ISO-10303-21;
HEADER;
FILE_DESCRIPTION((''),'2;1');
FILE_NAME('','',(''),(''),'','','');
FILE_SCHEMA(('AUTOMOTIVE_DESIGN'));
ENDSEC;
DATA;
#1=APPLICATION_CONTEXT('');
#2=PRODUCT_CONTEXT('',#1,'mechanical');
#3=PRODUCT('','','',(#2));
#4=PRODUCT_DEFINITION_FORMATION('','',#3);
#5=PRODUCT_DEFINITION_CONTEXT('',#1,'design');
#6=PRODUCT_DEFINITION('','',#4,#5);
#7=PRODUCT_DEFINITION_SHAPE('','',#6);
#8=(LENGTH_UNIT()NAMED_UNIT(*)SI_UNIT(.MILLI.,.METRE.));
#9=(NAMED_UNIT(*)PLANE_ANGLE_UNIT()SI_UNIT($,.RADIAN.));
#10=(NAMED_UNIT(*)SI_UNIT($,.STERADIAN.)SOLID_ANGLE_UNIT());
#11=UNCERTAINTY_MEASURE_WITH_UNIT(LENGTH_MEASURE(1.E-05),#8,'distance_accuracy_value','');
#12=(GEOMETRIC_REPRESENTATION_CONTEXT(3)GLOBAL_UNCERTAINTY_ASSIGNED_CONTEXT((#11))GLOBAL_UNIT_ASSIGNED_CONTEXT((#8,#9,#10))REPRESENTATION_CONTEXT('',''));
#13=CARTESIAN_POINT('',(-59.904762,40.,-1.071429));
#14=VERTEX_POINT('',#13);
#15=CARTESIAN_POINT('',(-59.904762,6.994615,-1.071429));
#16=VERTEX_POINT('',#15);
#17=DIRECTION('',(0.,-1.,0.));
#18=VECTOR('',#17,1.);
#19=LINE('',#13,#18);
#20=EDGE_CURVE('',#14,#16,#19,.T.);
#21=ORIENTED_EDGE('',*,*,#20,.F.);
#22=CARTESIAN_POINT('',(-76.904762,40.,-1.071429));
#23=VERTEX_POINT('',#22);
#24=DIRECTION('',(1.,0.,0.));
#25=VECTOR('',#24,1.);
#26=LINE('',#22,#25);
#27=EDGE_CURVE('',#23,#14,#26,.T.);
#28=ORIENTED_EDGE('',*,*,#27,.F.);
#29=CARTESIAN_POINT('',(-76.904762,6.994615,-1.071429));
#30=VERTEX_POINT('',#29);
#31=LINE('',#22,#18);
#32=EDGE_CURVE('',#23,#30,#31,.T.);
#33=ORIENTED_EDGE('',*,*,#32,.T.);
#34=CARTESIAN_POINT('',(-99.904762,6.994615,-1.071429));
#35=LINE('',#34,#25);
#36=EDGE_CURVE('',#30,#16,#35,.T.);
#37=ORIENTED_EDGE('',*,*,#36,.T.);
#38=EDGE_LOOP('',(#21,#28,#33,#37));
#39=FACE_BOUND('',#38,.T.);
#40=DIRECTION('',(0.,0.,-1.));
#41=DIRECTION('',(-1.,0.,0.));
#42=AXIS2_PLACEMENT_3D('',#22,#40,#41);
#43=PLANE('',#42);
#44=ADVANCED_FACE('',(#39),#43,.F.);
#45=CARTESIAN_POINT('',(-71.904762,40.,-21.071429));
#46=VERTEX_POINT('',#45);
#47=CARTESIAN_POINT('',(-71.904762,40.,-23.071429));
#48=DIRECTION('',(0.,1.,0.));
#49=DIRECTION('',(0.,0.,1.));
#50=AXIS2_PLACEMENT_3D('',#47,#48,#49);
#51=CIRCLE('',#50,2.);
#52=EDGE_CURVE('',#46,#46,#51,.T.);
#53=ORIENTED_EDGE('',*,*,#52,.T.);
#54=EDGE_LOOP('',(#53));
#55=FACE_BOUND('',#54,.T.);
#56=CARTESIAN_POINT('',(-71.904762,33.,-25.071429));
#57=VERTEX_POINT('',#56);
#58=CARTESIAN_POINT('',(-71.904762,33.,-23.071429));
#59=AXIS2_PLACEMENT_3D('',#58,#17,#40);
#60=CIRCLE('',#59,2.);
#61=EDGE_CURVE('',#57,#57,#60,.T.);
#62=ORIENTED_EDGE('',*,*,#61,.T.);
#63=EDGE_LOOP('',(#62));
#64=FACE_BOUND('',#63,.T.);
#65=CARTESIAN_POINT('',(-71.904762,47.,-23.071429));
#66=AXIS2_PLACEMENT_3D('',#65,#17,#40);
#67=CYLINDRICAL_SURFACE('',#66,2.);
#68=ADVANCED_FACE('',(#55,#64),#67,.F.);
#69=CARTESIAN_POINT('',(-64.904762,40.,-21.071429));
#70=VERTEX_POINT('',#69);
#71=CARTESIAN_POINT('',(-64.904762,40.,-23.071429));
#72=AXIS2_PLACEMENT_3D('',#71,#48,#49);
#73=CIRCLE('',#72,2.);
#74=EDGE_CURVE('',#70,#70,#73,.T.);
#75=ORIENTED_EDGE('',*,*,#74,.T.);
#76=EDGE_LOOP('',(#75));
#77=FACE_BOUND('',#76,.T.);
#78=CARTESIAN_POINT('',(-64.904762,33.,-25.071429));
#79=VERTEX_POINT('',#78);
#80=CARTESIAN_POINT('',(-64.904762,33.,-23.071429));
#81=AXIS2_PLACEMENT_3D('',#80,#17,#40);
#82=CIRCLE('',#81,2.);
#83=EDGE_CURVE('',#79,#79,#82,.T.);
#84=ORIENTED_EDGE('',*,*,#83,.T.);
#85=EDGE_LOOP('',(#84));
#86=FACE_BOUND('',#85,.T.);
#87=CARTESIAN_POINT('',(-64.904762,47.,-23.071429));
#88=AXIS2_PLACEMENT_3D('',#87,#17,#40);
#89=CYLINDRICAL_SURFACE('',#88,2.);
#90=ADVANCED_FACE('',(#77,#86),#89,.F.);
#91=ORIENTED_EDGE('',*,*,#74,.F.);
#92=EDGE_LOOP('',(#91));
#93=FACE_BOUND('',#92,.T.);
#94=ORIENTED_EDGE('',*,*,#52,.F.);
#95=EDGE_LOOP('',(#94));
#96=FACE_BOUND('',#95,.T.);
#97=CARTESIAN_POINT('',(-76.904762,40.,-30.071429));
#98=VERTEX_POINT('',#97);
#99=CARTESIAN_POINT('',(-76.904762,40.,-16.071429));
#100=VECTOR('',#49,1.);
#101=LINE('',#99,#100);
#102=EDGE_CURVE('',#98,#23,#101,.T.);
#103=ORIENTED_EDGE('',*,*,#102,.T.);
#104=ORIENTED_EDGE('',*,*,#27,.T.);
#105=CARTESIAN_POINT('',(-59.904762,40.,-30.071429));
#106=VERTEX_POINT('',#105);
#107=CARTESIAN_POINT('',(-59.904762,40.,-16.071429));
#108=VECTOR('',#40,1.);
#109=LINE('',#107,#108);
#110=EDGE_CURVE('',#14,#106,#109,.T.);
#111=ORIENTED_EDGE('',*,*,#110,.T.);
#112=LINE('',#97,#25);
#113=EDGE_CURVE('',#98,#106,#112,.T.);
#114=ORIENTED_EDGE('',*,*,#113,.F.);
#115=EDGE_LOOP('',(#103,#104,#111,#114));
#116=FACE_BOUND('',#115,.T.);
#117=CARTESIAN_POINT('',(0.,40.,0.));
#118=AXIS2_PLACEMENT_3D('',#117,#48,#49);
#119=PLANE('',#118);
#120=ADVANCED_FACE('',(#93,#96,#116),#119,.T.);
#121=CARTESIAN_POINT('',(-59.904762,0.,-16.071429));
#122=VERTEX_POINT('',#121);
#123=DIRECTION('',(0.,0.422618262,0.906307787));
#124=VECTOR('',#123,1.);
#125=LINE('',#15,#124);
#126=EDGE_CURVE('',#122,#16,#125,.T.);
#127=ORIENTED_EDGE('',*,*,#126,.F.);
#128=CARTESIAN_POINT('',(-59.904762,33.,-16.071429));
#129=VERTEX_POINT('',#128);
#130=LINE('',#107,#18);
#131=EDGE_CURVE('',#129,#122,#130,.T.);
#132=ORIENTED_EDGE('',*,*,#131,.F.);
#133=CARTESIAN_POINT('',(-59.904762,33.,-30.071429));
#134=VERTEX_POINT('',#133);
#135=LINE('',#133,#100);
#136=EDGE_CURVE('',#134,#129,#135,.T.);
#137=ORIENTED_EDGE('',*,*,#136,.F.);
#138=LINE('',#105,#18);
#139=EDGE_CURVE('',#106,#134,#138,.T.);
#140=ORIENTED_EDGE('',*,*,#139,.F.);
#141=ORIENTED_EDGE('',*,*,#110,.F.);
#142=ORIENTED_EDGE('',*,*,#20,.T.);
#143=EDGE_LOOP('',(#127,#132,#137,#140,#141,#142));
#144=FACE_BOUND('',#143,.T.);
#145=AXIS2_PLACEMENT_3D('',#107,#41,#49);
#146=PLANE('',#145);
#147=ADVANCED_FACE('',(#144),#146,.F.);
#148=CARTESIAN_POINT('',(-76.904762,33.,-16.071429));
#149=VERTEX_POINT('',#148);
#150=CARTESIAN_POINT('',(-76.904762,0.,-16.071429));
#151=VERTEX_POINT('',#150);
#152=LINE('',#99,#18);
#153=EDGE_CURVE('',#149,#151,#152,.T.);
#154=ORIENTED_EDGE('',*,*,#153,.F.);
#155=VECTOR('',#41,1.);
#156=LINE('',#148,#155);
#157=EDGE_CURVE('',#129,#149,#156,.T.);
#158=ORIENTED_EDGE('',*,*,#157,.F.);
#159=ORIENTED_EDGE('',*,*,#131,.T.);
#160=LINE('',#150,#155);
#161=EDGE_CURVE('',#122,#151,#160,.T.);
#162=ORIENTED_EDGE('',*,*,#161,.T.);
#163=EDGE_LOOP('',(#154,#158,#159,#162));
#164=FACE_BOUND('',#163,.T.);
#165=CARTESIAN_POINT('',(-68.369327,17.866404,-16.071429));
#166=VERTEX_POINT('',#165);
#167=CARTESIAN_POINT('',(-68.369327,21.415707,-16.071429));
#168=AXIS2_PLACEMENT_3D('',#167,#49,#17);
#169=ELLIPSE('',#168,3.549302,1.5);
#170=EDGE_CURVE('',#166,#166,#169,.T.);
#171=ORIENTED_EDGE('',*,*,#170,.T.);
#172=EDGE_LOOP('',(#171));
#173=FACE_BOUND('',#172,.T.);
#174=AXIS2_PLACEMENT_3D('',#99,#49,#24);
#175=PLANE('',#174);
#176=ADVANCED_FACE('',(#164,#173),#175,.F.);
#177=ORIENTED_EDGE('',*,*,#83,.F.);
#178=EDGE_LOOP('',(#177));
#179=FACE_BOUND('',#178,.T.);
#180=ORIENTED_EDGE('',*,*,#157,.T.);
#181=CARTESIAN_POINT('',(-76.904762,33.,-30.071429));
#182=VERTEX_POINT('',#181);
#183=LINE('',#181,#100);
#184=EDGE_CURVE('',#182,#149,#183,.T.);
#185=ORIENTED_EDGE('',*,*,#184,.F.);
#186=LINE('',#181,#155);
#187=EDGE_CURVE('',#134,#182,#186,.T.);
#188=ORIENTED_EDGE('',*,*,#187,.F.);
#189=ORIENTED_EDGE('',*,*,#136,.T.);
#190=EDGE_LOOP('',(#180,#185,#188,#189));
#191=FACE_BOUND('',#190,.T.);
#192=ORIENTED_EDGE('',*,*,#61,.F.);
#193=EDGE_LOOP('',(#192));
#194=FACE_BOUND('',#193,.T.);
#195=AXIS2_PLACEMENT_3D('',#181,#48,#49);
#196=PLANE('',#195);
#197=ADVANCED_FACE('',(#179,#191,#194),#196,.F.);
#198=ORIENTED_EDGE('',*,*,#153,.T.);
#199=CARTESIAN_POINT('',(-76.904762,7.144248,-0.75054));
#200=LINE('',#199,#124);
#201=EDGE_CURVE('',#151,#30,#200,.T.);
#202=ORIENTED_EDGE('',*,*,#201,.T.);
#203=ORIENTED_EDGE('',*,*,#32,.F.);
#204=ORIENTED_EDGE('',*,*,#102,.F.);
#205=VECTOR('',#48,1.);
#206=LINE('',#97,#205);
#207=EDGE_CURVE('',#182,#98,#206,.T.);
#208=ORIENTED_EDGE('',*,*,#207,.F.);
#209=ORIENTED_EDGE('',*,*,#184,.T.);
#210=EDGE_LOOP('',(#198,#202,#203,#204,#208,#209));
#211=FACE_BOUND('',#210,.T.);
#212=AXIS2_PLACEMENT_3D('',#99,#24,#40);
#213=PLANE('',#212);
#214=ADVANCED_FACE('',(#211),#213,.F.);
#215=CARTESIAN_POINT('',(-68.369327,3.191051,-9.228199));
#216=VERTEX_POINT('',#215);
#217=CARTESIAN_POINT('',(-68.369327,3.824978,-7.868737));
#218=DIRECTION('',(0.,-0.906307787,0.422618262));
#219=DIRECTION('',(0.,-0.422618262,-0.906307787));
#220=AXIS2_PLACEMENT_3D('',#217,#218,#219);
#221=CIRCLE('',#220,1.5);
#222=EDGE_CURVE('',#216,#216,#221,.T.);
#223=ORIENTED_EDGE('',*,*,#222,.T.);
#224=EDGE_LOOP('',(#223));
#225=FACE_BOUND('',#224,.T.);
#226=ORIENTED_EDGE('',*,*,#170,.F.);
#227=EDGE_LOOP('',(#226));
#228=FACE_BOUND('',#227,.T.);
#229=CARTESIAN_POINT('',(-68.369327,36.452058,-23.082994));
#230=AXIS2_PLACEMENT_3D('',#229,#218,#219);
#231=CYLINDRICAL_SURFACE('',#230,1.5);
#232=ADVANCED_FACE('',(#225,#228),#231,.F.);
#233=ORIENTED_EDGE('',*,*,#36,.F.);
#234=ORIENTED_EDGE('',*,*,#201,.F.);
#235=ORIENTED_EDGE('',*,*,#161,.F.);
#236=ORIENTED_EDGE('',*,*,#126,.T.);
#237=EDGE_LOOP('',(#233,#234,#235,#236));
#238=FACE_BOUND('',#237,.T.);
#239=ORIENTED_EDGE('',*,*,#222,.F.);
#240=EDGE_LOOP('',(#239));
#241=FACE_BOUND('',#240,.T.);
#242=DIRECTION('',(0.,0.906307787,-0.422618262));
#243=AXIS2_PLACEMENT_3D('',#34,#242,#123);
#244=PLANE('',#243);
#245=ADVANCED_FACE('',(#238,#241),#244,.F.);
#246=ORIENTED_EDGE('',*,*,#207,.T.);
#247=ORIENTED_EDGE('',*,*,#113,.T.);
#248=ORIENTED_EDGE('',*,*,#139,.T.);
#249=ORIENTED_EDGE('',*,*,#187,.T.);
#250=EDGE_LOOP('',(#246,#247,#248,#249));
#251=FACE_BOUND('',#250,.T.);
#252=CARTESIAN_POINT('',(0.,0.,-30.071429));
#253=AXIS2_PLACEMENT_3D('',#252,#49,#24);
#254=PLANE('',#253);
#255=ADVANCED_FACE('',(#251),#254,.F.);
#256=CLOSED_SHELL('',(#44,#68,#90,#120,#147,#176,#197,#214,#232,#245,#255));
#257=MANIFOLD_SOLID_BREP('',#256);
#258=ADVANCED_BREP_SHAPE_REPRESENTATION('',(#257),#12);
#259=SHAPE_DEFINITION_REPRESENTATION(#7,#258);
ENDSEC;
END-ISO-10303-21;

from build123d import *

# Parameters (mm, degrees)
SKETCH1_W           = 17
SKETCH1_H           = 15
BOSS_EXTRUDE1_DEPTH = 40
CUT_EXTRUDE1_DEPTH  = 40
SKETCH3_R           = 1.5
CUT_EXTRUDE2_DEPTH  = 36
SKETCH4_W           = 17
SKETCH4_H           = 7
BOSS_EXTRUDE2_DEPTH = 14
SKETCH5_R           = 2
CUT_EXTRUDE3_DEPTH  = 14


with BuildPart() as part:
    # Sketch1 → Boss-Extrude1 (new body)
    with BuildSketch(Plane(origin=(0, 0, 0), x_dir=(1, 0, 0), z_dir=(0, 1, 0))):
        with Locations((-68.404761905, 8.571428571)):
            Rectangle(SKETCH1_W, SKETCH1_H)
    extrude(amount=BOSS_EXTRUDE1_DEPTH)

    # Sketch2 → Cut-Extrude1 (cut)
    with BuildSketch(Plane(origin=(-59.904761905, 0, 0), x_dir=(0, 0, -1), z_dir=(1, 0, 0))):
        Polygon((16.071428571, 0), (1.071428571, 0), (1.071428571, 6.994614872), align=None)
    extrude(amount=-CUT_EXTRUDE1_DEPTH, mode=Mode.SUBTRACT)

    # Sketch3 → Cut-Extrude2 (cut)
    with BuildSketch(Plane(origin=(0, 6.155714275, -2.870456708), x_dir=(1, 0, 0), z_dir=(0, -0.9063077870366528, 0.4226182617406934))):
        with Locations(Location((-68.369326665, -5.514992079, 0), (0, 0, 270))):
            Circle(SKETCH3_R)
    extrude(amount=-CUT_EXTRUDE2_DEPTH, mode=Mode.SUBTRACT)

    # Sketch4 → Boss-Extrude2 (add)
    with BuildSketch(Plane(origin=(0, 0, -16.071428571), x_dir=(-1, 0, 0), z_dir=(0, 0, -1))):
        with Locations((68.404761905, 36.5)):
            Rectangle(SKETCH4_W, SKETCH4_H)
    extrude(amount=BOSS_EXTRUDE2_DEPTH)

    # Sketch5 → Cut-Extrude3 (cut)
    with BuildSketch(Plane(origin=(0, 33, 0), x_dir=(-1, 0, 0), z_dir=(0, -1, 0))):
        with Locations(Location((71.904761905, 23.071428571, 0), (0, 0, 90))):
            Circle(SKETCH5_R)
        with Locations(Location((64.904761905, 23.071428571, 0), (0, 0, 90))):
            Circle(SKETCH5_R)
    extrude(amount=-CUT_EXTRUDE3_DEPTH, mode=Mode.SUBTRACT)


solid = part.part
